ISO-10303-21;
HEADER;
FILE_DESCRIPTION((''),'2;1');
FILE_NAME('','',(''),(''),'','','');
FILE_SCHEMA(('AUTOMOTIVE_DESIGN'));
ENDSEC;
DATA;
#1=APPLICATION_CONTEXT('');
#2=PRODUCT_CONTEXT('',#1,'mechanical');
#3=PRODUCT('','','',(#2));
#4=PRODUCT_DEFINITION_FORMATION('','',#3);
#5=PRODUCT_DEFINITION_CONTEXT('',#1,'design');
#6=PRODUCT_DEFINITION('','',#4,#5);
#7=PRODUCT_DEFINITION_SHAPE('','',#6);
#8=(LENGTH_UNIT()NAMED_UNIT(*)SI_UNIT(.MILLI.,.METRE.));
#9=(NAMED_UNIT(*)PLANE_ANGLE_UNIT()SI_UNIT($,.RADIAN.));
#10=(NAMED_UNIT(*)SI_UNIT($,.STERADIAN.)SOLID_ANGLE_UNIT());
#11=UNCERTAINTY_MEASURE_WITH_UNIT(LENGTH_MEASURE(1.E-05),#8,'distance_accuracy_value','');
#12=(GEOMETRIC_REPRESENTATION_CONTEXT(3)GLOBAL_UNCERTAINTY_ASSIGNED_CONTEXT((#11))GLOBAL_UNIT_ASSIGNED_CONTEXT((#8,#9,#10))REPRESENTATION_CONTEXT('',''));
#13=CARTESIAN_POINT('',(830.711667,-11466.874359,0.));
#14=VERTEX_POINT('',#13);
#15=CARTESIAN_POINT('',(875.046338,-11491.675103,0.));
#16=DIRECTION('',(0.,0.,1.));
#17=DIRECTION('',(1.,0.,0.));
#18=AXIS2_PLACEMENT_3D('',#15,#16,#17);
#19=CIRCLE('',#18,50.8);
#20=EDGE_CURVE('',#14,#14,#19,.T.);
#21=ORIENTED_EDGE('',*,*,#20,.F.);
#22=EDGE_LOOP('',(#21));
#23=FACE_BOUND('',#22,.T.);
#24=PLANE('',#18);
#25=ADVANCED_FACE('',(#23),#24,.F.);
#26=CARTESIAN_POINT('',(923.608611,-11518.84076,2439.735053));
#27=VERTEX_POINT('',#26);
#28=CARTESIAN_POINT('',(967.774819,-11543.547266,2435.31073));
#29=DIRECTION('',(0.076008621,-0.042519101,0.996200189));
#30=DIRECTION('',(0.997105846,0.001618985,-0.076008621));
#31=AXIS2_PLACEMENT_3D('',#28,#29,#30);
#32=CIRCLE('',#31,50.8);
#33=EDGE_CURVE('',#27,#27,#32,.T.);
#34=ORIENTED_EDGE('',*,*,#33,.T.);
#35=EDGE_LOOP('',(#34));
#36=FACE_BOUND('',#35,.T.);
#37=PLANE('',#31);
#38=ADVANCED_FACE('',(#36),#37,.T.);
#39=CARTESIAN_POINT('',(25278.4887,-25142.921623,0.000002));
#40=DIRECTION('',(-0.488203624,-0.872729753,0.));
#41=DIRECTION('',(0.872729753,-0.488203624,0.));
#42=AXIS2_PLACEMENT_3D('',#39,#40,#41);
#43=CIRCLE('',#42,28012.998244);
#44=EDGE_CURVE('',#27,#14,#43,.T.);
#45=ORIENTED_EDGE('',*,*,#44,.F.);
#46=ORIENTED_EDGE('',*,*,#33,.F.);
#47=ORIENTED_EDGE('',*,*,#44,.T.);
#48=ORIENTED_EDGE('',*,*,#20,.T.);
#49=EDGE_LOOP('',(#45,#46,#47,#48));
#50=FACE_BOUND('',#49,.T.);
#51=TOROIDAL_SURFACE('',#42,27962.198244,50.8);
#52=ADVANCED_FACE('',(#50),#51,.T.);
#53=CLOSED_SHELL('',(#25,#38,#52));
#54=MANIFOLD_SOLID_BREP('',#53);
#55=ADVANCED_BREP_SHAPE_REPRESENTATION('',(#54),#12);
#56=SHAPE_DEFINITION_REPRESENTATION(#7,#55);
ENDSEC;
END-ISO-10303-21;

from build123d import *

# Parameters (mm, degrees)
SKETCH1_R = 50.8


with BuildPart() as part:
    # Sweep1: sweep along a path in Sketch2
    with BuildLine(Plane(origin=(-4687.695060265, -8379.886484648, 0), x_dir=(0.8455648946371895, -0.4730076459848942, 0.24755560142527056), z_dir=(0.4882036240797101, 0.8727297528074984, -2.8310687127941484e-15))) as sweep1_path:
        ThreePointArc((6175.558654101, 1577.908609455), (6503.031025405, 403.610943158), (6881.377344411, -755.296829674))
    # Sketch1 → Sweep1 (sweep)
    with BuildSketch(Plane.XY):
        with Locations((875.046338123, -11491.675102902)):
            Circle(SKETCH1_R)
    sweep(path=sweep1_path.line)


solid = part.part
